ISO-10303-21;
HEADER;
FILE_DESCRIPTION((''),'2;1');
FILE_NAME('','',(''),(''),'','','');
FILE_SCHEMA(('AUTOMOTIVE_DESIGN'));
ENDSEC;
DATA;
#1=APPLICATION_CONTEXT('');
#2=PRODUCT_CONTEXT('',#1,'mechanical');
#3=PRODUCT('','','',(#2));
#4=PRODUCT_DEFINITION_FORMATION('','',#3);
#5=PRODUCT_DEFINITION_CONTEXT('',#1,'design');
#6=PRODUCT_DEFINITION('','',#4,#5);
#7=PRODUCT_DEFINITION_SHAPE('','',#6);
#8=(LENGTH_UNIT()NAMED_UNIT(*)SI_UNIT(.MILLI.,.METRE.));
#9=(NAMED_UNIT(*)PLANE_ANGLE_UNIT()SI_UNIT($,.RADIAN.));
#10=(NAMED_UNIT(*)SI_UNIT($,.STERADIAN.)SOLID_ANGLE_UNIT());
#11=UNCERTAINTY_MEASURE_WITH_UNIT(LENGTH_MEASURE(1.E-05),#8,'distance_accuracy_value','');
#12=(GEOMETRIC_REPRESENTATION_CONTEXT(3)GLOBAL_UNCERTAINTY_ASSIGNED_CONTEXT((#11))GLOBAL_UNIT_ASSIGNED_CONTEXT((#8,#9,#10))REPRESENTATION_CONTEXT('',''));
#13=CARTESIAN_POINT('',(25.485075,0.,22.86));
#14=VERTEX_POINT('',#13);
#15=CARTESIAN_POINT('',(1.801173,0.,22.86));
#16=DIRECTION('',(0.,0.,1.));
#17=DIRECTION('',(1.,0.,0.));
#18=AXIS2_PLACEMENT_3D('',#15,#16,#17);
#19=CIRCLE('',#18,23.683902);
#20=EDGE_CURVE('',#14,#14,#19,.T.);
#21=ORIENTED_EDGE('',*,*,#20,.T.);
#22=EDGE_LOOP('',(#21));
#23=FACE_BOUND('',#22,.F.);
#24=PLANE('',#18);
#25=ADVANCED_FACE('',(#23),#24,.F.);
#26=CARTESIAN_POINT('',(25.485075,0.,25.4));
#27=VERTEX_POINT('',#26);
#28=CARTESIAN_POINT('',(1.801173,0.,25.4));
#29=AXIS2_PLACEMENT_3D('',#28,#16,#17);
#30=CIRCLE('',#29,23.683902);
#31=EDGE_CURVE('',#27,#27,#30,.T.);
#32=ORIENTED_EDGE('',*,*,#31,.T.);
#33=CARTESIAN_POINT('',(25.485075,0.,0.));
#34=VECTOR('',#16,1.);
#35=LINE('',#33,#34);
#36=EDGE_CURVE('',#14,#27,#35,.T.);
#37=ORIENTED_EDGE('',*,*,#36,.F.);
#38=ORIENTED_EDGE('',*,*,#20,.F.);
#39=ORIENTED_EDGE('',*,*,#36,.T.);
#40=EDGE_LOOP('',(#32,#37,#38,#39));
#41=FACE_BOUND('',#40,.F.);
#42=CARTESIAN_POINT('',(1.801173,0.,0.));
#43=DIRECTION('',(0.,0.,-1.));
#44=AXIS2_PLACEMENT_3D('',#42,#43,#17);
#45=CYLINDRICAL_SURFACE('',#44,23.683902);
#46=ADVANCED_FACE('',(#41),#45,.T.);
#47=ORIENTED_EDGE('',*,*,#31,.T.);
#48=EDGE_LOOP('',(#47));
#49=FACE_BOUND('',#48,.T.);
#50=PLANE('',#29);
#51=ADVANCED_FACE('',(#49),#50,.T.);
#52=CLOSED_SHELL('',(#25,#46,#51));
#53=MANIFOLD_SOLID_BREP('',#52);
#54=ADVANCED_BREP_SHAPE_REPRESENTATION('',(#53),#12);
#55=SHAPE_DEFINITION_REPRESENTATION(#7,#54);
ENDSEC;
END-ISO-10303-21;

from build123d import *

# Parameters (mm, degrees)
F0_R     = 23.683902
F1_DEPTH = 25.4
F2_T     = -2.54


with BuildPart() as f1:
    # F0 (on Top) → F1 (new body)
    with BuildSketch(Plane.XY):
        with Locations((1.801173, 0)):
            Circle(F0_R)
    extrude(amount=F1_DEPTH)

    # F2
    f2_openings = [f1.faces().sort_by_distance(p)[0] for p in [
        (-21.882729, 0, 12.7),
        (1.801173, 0, 0),
    ]]
    offset(amount=F2_T, openings=f2_openings)


solid = f1.part
